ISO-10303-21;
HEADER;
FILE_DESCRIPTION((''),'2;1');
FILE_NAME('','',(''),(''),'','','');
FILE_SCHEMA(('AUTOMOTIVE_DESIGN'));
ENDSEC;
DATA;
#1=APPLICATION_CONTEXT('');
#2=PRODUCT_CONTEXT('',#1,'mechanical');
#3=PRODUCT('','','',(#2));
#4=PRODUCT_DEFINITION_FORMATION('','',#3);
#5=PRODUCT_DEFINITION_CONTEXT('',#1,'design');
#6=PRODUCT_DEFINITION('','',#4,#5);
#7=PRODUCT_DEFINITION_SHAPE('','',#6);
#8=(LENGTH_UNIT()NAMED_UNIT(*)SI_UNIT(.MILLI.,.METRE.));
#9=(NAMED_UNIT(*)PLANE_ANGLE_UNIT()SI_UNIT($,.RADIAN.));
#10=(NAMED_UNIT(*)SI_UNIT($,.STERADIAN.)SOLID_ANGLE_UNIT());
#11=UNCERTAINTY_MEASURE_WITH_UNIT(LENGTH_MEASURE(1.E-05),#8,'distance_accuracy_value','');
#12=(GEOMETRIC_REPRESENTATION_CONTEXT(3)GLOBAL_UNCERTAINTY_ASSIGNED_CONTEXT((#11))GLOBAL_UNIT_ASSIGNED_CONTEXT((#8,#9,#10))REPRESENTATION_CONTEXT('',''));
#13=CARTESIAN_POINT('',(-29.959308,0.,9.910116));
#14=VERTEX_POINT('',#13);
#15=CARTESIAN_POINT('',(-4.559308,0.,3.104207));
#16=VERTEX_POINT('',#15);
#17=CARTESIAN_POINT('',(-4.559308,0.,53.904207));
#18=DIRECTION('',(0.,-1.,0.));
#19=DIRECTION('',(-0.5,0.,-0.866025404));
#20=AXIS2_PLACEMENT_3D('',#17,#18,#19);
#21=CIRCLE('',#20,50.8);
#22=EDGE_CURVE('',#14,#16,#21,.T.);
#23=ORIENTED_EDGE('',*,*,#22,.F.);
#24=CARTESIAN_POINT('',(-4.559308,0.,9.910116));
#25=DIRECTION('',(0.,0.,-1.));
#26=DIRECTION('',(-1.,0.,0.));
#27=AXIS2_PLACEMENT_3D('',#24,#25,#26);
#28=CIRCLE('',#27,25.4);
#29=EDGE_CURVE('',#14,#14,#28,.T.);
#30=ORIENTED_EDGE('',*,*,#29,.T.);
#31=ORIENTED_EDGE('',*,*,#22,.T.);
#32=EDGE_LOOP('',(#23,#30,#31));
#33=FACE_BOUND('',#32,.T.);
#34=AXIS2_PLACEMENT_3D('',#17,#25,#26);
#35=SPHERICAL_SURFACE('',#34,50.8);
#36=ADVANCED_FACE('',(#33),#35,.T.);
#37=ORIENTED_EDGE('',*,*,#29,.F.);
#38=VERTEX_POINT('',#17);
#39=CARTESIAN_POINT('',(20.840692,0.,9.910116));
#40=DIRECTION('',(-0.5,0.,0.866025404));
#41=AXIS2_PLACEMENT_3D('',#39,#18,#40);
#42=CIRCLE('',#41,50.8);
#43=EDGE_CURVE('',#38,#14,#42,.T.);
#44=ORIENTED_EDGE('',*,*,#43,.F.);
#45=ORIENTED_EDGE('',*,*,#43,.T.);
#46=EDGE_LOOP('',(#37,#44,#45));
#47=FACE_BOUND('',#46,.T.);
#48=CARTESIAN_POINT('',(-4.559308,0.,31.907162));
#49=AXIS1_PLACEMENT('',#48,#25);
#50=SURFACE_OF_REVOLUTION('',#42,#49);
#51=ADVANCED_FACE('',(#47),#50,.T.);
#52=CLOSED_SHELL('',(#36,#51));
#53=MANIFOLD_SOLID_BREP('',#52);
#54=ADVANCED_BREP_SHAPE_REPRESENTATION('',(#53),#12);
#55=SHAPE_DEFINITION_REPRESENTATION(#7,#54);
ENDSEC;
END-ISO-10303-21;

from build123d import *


with BuildPart() as f1:
    # F0 (on Front) → F1 (revolve)
    with BuildSketch(Plane.XZ):
        with BuildLine():
            Line((-29.9593082226, 9.9101164527), (-4.5593082226, 53.904206965))
            ThreePointArc((-4.5593082226, 53.904206965), (-23.1533987348, 35.3101164527), (-29.9593082226, 9.9101164527))
        make_face()
        Polygon((-4.5593082226, 9.9101164527), (-4.5593082226, 53.904206965), (-29.9593082226, 9.9101164527), align=None)
        with BuildLine():
            Line((-4.5593082226, 9.9101164527), (-29.9593082226, 9.9101164527))
            ThreePointArc((-29.9593082226, 9.9101164527), (-17.7073157138, 4.8351749895), (-4.5593082226, 3.104206965))
            Line((-4.5593082226, 3.104206965), (-4.5593082226, 9.9101164527))
        make_face()
    revolve(axis=Axis((-4.5593082226, 0, 31.9071617088), (0, 0, -1)))


solid = f1.part
